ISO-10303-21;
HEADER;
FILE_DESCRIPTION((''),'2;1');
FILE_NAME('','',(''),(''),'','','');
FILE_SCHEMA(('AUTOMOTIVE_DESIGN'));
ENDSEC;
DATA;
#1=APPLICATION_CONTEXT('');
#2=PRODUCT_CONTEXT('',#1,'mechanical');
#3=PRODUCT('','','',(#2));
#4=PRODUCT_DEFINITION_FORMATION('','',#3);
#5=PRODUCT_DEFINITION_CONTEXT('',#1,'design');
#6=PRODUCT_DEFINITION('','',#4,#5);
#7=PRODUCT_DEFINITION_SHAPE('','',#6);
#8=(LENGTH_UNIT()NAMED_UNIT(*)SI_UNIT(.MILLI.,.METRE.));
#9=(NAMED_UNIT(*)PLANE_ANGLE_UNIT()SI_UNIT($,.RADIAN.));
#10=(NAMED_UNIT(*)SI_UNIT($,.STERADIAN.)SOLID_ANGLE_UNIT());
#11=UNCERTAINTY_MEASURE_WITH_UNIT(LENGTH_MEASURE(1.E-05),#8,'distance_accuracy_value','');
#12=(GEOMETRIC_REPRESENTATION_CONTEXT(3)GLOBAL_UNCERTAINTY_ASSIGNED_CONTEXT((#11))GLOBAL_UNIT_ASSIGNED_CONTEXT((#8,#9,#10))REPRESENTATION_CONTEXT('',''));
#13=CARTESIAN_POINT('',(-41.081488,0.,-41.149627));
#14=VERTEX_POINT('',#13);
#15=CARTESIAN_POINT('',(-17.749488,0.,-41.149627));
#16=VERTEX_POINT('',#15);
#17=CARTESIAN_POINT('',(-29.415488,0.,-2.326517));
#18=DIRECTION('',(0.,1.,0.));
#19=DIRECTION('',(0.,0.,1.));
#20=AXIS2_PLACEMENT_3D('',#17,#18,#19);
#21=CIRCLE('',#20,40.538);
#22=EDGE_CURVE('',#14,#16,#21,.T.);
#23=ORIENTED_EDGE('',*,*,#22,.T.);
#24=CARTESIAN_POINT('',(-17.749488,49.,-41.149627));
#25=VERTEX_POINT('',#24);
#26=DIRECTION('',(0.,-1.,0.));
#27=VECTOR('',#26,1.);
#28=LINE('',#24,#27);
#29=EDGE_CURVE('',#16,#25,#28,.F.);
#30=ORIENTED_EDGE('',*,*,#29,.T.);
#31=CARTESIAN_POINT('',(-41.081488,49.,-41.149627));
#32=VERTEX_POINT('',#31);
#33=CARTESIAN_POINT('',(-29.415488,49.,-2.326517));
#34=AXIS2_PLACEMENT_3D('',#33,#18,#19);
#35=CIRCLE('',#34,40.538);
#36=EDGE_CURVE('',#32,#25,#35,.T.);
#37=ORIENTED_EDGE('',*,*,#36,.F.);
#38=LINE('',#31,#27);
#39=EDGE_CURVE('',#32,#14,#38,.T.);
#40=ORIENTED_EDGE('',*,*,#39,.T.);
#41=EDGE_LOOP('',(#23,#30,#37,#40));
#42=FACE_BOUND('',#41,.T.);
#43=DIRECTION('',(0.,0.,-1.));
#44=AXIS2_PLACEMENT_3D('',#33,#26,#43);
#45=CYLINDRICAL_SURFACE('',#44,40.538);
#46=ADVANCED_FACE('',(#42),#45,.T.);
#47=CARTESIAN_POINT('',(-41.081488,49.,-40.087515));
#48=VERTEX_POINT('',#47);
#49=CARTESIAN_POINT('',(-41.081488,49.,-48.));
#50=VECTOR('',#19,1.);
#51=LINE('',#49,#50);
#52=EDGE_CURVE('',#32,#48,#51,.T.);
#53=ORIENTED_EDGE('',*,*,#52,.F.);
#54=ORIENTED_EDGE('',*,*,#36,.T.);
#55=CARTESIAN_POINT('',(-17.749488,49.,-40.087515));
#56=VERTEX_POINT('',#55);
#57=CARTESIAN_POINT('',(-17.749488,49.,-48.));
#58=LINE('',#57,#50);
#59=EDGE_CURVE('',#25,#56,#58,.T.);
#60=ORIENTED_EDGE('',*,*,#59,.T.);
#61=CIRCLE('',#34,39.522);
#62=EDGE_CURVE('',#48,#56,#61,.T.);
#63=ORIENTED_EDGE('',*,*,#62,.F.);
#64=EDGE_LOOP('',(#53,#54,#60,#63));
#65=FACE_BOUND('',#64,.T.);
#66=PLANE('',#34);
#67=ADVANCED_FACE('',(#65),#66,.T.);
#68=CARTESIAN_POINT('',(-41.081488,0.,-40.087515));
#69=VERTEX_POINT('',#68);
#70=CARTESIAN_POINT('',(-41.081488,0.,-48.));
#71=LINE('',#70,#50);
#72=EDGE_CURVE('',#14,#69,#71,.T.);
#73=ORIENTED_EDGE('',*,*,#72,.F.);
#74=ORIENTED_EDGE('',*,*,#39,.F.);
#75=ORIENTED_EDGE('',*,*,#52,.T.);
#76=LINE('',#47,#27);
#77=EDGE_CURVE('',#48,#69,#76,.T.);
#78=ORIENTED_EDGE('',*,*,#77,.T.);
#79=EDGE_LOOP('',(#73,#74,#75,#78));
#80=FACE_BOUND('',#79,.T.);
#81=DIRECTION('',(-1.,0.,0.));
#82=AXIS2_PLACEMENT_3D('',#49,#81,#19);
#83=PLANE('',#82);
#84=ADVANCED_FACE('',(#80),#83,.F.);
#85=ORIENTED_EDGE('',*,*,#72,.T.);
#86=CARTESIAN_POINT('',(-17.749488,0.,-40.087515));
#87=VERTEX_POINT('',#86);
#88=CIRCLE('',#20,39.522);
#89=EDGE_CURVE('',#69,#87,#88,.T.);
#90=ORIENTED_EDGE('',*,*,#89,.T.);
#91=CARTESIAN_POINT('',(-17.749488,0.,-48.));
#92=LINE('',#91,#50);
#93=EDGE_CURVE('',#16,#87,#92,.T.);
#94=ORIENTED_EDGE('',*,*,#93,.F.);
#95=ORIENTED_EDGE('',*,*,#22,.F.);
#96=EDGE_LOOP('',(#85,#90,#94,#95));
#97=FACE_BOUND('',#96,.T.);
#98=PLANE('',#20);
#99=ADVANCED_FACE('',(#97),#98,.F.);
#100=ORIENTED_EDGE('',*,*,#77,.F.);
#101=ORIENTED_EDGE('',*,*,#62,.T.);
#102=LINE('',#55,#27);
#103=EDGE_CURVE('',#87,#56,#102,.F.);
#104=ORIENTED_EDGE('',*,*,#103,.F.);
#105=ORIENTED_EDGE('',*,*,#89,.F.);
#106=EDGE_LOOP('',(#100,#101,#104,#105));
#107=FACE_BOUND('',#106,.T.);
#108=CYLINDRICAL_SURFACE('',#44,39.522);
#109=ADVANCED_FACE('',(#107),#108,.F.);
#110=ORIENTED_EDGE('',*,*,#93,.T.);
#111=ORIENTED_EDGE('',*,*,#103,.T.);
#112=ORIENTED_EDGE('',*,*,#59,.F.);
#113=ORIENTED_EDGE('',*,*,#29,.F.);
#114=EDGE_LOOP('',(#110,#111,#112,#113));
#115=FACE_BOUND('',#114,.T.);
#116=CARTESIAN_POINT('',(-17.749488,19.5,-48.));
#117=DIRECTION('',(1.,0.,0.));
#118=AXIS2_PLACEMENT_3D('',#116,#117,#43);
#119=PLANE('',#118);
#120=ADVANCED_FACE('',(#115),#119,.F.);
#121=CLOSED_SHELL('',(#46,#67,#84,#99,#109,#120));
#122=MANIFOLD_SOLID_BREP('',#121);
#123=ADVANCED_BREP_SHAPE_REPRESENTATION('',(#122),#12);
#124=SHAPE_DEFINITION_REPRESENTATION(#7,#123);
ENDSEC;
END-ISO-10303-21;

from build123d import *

# Parameters (mm, degrees)
SKETCH1_R           = 40.538
SKETCH1_R_2         = 39.522
BOSS_EXTRUDE1_DEPTH = 49
CUT_EXTRUDE1_DEPTH  = 48


with BuildPart() as part:
    # Sketch1 → Boss-Extrude1 (new body)
    with BuildSketch(Plane(origin=(0, 0, 0), x_dir=(0.9999530758491465, 0, -0.009687419668383268), z_dir=(0, 1, 0))):
        with Locations(Location((-29.391570254, 2.611368154, 0), (0, 0, 269.444943057))):
            Circle(SKETCH1_R)
        with Locations(Location((-29.391570254, 2.611368154, 0), (0, 0, 269.444943057))):
            Circle(SKETCH1_R_2, mode=Mode.SUBTRACT)
    extrude(amount=BOSS_EXTRUDE1_DEPTH)

    # Sketch2 → Cut-Extrude1 (cut)
    with BuildSketch(Plane.XY):
        Polygon((-17.749488499, 19.5), (-17.749488499, 49), (-41.081488499, 49), (-41.081488499, 0), (-17.749488499, 0), align=None)
    extrude(amount=-CUT_EXTRUDE1_DEPTH, mode=Mode.SUBTRACT)


solid = part.part
